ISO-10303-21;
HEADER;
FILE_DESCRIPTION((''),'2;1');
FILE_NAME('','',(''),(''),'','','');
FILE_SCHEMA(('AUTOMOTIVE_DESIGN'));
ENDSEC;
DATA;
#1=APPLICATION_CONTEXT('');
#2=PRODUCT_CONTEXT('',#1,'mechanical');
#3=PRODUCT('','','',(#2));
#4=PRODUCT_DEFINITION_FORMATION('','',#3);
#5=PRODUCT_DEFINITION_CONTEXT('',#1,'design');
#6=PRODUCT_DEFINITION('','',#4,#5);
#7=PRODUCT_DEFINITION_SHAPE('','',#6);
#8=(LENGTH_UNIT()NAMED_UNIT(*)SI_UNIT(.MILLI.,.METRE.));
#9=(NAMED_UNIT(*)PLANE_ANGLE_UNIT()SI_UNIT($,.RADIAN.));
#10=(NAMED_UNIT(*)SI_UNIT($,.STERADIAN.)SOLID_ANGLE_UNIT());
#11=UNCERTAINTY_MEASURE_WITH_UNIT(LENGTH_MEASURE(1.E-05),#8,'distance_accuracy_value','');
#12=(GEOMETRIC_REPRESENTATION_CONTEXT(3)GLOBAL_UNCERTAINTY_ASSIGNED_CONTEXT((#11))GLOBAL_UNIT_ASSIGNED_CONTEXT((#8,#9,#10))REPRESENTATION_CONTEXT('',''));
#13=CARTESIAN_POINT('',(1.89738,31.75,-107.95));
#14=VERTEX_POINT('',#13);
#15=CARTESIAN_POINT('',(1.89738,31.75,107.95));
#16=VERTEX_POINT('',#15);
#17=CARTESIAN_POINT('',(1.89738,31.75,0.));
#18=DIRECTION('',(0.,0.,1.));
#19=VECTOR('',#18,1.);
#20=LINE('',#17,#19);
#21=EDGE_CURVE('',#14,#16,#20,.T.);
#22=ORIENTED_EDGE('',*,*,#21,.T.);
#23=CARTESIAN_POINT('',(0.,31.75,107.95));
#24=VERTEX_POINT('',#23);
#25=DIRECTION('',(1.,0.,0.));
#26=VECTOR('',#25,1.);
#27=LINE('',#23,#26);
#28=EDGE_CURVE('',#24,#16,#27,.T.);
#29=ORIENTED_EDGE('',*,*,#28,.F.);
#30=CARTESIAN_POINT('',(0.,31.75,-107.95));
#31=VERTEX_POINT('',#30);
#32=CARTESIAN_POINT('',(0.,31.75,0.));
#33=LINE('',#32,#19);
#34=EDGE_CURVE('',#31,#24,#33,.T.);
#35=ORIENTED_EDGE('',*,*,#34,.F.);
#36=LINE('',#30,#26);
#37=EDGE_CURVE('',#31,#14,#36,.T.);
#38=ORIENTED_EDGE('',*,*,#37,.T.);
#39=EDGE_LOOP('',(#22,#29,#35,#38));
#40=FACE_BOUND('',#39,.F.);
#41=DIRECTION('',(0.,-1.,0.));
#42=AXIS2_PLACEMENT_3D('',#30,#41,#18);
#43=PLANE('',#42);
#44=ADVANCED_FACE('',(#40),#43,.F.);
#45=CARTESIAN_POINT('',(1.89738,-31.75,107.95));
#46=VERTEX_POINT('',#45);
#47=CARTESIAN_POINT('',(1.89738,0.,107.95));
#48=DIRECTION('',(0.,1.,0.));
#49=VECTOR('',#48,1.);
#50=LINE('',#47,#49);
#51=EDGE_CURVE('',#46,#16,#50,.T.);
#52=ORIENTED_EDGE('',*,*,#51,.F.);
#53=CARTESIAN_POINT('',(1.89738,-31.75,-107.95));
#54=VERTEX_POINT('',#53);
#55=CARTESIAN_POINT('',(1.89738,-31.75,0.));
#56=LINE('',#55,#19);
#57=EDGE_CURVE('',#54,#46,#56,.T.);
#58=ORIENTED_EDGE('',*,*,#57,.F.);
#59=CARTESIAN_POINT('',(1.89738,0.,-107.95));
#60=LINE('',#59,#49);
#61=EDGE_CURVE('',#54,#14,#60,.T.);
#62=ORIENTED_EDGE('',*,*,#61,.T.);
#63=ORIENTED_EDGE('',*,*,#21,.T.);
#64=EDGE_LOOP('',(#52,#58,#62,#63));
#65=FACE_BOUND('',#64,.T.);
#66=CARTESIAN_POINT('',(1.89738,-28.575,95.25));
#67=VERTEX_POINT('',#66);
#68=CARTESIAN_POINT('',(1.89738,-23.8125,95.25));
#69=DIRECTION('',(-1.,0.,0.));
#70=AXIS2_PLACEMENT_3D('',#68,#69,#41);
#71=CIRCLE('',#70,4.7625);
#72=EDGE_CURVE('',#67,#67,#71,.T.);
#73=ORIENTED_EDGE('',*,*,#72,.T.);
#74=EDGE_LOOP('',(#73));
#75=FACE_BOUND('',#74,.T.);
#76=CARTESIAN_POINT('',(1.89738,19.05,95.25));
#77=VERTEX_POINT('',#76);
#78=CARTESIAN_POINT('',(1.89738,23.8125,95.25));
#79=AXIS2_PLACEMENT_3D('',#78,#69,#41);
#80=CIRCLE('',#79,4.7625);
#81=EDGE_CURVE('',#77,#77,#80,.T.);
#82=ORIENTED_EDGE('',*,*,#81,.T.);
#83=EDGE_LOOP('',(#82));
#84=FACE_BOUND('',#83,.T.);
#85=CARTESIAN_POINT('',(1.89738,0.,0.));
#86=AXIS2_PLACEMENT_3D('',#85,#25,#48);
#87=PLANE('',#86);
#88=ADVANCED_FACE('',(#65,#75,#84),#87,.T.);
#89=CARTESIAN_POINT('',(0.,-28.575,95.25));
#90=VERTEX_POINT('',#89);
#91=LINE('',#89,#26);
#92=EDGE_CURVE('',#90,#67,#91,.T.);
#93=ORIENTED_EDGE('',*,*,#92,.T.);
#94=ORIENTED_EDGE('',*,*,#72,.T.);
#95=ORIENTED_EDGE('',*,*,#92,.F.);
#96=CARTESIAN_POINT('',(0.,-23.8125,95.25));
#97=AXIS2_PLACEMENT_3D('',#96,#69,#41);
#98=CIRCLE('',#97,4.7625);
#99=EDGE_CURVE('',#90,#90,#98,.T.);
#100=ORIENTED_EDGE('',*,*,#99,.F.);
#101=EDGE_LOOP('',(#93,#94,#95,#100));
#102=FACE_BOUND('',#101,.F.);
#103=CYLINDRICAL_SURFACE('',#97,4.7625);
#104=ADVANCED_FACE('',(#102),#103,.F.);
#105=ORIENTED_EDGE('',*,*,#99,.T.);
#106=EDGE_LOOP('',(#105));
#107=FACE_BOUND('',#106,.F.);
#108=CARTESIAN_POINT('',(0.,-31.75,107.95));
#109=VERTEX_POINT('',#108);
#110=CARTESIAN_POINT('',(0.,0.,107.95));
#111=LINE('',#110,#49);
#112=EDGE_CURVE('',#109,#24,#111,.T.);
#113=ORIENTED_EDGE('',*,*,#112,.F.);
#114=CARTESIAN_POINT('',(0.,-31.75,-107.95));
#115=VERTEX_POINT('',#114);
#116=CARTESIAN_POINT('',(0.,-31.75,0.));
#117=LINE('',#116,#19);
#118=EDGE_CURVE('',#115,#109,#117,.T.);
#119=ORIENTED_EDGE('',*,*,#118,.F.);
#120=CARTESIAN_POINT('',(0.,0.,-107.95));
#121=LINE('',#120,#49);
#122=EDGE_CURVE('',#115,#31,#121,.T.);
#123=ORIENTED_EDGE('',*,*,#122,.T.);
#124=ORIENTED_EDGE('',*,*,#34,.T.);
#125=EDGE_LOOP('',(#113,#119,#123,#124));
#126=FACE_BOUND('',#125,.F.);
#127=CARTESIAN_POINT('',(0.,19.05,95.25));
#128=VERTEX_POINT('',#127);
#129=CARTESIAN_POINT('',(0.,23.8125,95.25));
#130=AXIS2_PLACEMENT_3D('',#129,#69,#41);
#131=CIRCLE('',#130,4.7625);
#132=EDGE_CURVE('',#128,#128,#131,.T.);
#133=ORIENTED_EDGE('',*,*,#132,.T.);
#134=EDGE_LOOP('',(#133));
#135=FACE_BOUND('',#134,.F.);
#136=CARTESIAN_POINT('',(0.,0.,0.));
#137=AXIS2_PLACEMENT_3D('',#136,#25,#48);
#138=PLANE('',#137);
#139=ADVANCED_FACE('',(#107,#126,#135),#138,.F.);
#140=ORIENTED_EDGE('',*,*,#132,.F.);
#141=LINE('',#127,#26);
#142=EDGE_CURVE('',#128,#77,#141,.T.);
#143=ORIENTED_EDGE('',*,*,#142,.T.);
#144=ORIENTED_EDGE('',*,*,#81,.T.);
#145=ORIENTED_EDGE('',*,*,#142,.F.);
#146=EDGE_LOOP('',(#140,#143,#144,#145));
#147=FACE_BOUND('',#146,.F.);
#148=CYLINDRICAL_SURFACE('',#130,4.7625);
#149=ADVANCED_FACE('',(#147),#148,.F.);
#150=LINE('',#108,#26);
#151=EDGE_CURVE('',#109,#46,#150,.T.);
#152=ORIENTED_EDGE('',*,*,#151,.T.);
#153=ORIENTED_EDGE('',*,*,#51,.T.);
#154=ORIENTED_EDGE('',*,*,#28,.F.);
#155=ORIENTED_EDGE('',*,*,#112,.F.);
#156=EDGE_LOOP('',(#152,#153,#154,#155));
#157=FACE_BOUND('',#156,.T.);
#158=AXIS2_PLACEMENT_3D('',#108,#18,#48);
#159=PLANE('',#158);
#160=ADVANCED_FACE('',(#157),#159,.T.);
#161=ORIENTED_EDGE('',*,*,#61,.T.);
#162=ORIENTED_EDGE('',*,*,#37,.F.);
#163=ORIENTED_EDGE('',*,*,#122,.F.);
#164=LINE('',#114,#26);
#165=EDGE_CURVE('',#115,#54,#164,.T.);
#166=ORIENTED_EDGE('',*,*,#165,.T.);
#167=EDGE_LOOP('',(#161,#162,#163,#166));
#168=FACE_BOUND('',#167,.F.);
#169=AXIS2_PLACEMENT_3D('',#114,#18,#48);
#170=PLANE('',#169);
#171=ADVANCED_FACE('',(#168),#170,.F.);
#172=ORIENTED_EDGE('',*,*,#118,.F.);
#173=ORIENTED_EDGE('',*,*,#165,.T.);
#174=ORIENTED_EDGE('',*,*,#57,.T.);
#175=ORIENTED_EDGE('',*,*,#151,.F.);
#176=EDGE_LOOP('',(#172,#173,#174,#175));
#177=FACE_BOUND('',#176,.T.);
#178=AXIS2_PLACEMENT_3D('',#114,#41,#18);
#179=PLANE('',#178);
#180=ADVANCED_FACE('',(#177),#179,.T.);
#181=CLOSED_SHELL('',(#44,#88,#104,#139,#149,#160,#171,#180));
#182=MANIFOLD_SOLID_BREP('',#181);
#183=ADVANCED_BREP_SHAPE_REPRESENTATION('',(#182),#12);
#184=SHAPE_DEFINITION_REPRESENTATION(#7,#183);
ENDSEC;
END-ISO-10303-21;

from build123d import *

# Parameters (mm, degrees)
F0_W     = 63.5
F0_H     = 215.9
F1_DEPTH = 1.89738
F2_R     = 4.7625
F3_DEPTH = 25.4


with BuildPart() as f1:
    # F0 (on Right) → F1 (new body)
    with BuildSketch(Plane.YZ):
        Rectangle(F0_W, F0_H)
    extrude(amount=F1_DEPTH)

    # F2 (on face) → F3 (cut)
    with BuildSketch(Plane(origin=(0, 0, 0), x_dir=(0, -1, 0), z_dir=(-1, 0, 0))):
        with Locations((-23.8125, 95.25)):
            Circle(F2_R)
        with Locations((23.8125, 95.25)):
            Circle(F2_R)
    extrude(amount=-F3_DEPTH, mode=Mode.SUBTRACT)


solid = f1.part
